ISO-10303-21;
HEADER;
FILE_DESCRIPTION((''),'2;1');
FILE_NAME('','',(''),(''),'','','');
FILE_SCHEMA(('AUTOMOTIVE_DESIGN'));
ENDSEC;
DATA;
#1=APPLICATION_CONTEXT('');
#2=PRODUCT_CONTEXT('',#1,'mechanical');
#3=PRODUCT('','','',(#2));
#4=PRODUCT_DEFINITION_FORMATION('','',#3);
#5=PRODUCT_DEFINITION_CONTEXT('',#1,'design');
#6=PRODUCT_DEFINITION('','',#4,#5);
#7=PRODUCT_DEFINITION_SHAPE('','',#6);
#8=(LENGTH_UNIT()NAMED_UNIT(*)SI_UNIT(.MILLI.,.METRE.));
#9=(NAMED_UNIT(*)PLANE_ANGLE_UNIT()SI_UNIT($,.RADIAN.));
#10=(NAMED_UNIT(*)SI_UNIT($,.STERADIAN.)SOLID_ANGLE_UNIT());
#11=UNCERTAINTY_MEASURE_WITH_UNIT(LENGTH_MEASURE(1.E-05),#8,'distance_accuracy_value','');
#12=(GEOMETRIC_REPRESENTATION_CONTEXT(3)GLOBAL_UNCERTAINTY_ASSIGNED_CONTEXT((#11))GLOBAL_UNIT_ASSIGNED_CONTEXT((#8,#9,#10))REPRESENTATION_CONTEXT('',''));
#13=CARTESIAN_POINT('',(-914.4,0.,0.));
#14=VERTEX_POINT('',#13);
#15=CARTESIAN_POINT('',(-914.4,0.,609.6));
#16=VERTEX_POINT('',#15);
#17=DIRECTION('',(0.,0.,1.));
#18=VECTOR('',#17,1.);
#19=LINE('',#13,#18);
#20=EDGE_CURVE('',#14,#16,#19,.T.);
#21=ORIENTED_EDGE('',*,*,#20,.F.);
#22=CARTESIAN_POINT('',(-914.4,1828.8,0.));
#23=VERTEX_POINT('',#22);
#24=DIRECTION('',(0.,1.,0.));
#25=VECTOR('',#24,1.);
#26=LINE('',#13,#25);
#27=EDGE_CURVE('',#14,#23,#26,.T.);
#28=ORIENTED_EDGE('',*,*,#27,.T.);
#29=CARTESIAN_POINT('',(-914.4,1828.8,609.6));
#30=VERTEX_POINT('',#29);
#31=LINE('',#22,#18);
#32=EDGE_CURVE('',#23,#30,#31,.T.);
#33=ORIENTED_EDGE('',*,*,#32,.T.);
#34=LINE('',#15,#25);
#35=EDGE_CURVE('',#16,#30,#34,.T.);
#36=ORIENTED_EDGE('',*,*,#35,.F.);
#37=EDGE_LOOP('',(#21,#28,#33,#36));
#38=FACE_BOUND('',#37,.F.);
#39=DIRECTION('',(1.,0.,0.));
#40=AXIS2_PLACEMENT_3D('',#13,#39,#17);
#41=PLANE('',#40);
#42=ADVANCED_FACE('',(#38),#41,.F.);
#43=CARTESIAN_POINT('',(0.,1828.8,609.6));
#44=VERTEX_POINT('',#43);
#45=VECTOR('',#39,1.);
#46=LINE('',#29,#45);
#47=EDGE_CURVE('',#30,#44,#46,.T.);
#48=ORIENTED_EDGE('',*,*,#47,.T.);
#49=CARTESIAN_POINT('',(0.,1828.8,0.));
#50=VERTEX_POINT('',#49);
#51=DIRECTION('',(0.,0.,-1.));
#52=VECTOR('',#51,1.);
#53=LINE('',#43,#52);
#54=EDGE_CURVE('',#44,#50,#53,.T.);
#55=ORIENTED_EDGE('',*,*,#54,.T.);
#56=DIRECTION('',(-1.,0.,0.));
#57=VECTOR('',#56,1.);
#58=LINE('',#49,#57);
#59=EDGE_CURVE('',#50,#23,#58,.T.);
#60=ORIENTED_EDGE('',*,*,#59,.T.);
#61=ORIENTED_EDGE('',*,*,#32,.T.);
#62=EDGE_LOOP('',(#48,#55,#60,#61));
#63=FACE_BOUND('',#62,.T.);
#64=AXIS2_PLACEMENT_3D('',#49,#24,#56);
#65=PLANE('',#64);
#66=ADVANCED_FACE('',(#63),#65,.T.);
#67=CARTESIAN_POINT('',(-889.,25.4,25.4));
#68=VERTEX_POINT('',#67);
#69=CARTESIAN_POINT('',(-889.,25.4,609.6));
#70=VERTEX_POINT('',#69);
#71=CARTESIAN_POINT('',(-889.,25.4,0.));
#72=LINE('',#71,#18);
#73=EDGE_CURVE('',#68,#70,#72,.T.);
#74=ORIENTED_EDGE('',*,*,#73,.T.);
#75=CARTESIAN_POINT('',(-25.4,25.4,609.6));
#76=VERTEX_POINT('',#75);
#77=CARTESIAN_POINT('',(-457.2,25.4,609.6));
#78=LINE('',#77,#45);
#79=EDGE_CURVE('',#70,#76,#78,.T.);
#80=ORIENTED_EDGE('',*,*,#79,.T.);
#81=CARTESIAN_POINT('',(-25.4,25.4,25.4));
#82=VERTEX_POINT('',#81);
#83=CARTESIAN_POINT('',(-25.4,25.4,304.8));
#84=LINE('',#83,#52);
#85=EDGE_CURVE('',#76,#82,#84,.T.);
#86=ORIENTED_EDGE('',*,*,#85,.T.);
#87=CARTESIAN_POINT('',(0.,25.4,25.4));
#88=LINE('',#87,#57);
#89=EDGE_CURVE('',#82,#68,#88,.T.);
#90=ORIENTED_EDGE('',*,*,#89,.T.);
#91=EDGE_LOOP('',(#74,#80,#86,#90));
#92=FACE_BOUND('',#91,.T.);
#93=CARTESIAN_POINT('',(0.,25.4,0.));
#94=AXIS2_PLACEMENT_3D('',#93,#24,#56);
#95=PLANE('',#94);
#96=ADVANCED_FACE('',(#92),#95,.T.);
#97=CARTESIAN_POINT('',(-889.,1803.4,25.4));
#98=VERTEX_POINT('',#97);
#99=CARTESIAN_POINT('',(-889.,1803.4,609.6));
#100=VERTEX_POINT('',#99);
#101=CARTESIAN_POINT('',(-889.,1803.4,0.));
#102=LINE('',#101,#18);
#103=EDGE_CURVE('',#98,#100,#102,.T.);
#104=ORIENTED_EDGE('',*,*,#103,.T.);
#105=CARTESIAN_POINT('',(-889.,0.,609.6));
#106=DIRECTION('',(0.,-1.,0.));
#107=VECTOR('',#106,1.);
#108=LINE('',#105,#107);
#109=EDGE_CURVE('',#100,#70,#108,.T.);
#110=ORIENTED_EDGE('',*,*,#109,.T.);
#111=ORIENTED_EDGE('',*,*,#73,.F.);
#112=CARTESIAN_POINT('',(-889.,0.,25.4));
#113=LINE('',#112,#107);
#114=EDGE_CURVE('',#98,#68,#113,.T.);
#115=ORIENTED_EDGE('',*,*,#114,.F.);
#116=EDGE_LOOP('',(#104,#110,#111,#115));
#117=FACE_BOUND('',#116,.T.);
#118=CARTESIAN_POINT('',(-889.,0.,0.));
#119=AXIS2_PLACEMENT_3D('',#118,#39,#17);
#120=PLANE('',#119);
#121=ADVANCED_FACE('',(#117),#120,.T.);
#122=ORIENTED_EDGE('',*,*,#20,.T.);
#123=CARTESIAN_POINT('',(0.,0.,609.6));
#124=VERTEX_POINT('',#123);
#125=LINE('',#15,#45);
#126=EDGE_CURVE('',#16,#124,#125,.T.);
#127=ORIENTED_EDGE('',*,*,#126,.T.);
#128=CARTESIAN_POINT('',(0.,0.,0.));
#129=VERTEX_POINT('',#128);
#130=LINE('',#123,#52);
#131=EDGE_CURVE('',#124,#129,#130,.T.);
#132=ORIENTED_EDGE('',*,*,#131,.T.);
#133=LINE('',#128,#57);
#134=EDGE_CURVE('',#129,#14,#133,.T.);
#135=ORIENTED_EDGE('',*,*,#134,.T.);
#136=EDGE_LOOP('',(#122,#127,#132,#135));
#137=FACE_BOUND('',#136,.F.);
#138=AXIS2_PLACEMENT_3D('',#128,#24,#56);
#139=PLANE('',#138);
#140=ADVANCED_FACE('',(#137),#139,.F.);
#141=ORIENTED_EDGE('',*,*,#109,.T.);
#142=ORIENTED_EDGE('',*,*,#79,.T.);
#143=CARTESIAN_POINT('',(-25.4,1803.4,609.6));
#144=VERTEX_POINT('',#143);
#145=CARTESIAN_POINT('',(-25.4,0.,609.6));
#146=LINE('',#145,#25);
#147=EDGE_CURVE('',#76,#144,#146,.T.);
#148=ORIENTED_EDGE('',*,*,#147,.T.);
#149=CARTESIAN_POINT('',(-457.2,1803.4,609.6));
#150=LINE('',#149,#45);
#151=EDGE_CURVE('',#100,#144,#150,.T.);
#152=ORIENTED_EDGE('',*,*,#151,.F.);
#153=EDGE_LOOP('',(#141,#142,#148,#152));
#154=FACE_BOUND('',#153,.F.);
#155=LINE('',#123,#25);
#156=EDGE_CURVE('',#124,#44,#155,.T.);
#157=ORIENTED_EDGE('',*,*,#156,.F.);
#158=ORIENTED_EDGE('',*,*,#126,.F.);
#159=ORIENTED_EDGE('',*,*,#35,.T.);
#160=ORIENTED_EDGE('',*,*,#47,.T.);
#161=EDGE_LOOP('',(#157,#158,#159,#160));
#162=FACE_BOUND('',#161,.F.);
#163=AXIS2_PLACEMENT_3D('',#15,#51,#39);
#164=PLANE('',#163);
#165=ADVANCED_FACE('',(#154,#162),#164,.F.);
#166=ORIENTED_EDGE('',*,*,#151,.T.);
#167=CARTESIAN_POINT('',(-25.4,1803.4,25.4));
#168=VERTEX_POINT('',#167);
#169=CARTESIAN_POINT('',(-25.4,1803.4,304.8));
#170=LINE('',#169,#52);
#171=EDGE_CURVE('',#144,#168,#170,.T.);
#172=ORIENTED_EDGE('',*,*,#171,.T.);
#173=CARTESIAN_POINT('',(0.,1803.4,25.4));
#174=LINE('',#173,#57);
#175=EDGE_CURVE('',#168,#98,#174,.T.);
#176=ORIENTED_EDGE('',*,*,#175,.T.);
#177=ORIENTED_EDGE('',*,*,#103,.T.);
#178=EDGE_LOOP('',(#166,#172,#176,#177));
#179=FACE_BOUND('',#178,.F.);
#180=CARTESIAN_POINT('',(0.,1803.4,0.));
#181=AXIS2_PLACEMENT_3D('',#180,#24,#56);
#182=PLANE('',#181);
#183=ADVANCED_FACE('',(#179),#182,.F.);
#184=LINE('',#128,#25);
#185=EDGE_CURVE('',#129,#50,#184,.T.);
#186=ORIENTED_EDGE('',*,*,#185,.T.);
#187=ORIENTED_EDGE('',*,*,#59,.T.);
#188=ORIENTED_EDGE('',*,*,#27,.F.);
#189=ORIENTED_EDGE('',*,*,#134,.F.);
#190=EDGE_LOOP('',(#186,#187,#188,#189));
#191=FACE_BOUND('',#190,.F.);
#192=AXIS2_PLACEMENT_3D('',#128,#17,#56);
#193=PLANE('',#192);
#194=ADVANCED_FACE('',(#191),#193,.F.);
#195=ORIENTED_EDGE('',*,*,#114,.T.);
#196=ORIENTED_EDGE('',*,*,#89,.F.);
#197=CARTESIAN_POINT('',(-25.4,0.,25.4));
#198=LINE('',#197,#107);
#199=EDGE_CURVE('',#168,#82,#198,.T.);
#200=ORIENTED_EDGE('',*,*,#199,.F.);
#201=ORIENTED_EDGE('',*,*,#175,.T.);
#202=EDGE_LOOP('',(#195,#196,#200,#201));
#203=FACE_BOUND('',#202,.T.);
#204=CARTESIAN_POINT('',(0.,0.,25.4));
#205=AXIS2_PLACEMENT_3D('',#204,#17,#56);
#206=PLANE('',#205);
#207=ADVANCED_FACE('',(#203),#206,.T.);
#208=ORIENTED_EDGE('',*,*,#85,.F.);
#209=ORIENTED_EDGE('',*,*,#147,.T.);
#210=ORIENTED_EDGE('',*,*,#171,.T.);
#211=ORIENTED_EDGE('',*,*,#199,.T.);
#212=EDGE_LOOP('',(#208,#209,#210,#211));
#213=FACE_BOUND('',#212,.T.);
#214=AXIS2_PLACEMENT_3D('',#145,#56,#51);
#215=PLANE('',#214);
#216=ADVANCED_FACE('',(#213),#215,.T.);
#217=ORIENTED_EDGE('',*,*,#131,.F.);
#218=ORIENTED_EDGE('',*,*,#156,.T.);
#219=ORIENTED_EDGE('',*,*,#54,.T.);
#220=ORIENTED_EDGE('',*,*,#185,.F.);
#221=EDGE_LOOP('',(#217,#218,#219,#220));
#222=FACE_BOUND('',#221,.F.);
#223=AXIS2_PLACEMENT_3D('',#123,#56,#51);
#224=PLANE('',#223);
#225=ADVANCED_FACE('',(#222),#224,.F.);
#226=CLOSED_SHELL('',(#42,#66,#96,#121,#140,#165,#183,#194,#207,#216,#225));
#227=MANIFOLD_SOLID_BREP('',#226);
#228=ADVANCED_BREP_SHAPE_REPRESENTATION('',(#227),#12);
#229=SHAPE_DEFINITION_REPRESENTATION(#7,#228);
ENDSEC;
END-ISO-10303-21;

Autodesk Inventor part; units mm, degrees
ref_plane "YZ Plane" through (0, 0, 0) normal (1, 0, 0) x (0, 1, 0)
ref_plane "XZ Plane" through (0, 0, 0) normal (0, 1, 0) x (-1, 0, 0)
ref_plane "XY Plane" through (0, 0, 0) normal (0, 0, 1) x (1, 0, 0)
sketch "grey cabinet" plane through (0, 0, 0) normal (0, 1, 0) x (-1, 0, 0)
  line L0 (914.4, 609.6) -> (0, 609.6)
  line L1 (0, 609.6) -> (0, 0)
  line L2 (0, 0) -> (914.4, 0)
  line L3 (914.4, 0) -> (914.4, 609.6)
  dimension "d0" = 914.4
  dimension "d1" = 609.6
extrude "grey cabinet2" add sketch "grey cabinet" along normal blind 1828.8
shell "Shell1" thickness 25.4 removed faces 1 at (-609.6, 609.6, 609.6)
properties part number "grey cabinet"
